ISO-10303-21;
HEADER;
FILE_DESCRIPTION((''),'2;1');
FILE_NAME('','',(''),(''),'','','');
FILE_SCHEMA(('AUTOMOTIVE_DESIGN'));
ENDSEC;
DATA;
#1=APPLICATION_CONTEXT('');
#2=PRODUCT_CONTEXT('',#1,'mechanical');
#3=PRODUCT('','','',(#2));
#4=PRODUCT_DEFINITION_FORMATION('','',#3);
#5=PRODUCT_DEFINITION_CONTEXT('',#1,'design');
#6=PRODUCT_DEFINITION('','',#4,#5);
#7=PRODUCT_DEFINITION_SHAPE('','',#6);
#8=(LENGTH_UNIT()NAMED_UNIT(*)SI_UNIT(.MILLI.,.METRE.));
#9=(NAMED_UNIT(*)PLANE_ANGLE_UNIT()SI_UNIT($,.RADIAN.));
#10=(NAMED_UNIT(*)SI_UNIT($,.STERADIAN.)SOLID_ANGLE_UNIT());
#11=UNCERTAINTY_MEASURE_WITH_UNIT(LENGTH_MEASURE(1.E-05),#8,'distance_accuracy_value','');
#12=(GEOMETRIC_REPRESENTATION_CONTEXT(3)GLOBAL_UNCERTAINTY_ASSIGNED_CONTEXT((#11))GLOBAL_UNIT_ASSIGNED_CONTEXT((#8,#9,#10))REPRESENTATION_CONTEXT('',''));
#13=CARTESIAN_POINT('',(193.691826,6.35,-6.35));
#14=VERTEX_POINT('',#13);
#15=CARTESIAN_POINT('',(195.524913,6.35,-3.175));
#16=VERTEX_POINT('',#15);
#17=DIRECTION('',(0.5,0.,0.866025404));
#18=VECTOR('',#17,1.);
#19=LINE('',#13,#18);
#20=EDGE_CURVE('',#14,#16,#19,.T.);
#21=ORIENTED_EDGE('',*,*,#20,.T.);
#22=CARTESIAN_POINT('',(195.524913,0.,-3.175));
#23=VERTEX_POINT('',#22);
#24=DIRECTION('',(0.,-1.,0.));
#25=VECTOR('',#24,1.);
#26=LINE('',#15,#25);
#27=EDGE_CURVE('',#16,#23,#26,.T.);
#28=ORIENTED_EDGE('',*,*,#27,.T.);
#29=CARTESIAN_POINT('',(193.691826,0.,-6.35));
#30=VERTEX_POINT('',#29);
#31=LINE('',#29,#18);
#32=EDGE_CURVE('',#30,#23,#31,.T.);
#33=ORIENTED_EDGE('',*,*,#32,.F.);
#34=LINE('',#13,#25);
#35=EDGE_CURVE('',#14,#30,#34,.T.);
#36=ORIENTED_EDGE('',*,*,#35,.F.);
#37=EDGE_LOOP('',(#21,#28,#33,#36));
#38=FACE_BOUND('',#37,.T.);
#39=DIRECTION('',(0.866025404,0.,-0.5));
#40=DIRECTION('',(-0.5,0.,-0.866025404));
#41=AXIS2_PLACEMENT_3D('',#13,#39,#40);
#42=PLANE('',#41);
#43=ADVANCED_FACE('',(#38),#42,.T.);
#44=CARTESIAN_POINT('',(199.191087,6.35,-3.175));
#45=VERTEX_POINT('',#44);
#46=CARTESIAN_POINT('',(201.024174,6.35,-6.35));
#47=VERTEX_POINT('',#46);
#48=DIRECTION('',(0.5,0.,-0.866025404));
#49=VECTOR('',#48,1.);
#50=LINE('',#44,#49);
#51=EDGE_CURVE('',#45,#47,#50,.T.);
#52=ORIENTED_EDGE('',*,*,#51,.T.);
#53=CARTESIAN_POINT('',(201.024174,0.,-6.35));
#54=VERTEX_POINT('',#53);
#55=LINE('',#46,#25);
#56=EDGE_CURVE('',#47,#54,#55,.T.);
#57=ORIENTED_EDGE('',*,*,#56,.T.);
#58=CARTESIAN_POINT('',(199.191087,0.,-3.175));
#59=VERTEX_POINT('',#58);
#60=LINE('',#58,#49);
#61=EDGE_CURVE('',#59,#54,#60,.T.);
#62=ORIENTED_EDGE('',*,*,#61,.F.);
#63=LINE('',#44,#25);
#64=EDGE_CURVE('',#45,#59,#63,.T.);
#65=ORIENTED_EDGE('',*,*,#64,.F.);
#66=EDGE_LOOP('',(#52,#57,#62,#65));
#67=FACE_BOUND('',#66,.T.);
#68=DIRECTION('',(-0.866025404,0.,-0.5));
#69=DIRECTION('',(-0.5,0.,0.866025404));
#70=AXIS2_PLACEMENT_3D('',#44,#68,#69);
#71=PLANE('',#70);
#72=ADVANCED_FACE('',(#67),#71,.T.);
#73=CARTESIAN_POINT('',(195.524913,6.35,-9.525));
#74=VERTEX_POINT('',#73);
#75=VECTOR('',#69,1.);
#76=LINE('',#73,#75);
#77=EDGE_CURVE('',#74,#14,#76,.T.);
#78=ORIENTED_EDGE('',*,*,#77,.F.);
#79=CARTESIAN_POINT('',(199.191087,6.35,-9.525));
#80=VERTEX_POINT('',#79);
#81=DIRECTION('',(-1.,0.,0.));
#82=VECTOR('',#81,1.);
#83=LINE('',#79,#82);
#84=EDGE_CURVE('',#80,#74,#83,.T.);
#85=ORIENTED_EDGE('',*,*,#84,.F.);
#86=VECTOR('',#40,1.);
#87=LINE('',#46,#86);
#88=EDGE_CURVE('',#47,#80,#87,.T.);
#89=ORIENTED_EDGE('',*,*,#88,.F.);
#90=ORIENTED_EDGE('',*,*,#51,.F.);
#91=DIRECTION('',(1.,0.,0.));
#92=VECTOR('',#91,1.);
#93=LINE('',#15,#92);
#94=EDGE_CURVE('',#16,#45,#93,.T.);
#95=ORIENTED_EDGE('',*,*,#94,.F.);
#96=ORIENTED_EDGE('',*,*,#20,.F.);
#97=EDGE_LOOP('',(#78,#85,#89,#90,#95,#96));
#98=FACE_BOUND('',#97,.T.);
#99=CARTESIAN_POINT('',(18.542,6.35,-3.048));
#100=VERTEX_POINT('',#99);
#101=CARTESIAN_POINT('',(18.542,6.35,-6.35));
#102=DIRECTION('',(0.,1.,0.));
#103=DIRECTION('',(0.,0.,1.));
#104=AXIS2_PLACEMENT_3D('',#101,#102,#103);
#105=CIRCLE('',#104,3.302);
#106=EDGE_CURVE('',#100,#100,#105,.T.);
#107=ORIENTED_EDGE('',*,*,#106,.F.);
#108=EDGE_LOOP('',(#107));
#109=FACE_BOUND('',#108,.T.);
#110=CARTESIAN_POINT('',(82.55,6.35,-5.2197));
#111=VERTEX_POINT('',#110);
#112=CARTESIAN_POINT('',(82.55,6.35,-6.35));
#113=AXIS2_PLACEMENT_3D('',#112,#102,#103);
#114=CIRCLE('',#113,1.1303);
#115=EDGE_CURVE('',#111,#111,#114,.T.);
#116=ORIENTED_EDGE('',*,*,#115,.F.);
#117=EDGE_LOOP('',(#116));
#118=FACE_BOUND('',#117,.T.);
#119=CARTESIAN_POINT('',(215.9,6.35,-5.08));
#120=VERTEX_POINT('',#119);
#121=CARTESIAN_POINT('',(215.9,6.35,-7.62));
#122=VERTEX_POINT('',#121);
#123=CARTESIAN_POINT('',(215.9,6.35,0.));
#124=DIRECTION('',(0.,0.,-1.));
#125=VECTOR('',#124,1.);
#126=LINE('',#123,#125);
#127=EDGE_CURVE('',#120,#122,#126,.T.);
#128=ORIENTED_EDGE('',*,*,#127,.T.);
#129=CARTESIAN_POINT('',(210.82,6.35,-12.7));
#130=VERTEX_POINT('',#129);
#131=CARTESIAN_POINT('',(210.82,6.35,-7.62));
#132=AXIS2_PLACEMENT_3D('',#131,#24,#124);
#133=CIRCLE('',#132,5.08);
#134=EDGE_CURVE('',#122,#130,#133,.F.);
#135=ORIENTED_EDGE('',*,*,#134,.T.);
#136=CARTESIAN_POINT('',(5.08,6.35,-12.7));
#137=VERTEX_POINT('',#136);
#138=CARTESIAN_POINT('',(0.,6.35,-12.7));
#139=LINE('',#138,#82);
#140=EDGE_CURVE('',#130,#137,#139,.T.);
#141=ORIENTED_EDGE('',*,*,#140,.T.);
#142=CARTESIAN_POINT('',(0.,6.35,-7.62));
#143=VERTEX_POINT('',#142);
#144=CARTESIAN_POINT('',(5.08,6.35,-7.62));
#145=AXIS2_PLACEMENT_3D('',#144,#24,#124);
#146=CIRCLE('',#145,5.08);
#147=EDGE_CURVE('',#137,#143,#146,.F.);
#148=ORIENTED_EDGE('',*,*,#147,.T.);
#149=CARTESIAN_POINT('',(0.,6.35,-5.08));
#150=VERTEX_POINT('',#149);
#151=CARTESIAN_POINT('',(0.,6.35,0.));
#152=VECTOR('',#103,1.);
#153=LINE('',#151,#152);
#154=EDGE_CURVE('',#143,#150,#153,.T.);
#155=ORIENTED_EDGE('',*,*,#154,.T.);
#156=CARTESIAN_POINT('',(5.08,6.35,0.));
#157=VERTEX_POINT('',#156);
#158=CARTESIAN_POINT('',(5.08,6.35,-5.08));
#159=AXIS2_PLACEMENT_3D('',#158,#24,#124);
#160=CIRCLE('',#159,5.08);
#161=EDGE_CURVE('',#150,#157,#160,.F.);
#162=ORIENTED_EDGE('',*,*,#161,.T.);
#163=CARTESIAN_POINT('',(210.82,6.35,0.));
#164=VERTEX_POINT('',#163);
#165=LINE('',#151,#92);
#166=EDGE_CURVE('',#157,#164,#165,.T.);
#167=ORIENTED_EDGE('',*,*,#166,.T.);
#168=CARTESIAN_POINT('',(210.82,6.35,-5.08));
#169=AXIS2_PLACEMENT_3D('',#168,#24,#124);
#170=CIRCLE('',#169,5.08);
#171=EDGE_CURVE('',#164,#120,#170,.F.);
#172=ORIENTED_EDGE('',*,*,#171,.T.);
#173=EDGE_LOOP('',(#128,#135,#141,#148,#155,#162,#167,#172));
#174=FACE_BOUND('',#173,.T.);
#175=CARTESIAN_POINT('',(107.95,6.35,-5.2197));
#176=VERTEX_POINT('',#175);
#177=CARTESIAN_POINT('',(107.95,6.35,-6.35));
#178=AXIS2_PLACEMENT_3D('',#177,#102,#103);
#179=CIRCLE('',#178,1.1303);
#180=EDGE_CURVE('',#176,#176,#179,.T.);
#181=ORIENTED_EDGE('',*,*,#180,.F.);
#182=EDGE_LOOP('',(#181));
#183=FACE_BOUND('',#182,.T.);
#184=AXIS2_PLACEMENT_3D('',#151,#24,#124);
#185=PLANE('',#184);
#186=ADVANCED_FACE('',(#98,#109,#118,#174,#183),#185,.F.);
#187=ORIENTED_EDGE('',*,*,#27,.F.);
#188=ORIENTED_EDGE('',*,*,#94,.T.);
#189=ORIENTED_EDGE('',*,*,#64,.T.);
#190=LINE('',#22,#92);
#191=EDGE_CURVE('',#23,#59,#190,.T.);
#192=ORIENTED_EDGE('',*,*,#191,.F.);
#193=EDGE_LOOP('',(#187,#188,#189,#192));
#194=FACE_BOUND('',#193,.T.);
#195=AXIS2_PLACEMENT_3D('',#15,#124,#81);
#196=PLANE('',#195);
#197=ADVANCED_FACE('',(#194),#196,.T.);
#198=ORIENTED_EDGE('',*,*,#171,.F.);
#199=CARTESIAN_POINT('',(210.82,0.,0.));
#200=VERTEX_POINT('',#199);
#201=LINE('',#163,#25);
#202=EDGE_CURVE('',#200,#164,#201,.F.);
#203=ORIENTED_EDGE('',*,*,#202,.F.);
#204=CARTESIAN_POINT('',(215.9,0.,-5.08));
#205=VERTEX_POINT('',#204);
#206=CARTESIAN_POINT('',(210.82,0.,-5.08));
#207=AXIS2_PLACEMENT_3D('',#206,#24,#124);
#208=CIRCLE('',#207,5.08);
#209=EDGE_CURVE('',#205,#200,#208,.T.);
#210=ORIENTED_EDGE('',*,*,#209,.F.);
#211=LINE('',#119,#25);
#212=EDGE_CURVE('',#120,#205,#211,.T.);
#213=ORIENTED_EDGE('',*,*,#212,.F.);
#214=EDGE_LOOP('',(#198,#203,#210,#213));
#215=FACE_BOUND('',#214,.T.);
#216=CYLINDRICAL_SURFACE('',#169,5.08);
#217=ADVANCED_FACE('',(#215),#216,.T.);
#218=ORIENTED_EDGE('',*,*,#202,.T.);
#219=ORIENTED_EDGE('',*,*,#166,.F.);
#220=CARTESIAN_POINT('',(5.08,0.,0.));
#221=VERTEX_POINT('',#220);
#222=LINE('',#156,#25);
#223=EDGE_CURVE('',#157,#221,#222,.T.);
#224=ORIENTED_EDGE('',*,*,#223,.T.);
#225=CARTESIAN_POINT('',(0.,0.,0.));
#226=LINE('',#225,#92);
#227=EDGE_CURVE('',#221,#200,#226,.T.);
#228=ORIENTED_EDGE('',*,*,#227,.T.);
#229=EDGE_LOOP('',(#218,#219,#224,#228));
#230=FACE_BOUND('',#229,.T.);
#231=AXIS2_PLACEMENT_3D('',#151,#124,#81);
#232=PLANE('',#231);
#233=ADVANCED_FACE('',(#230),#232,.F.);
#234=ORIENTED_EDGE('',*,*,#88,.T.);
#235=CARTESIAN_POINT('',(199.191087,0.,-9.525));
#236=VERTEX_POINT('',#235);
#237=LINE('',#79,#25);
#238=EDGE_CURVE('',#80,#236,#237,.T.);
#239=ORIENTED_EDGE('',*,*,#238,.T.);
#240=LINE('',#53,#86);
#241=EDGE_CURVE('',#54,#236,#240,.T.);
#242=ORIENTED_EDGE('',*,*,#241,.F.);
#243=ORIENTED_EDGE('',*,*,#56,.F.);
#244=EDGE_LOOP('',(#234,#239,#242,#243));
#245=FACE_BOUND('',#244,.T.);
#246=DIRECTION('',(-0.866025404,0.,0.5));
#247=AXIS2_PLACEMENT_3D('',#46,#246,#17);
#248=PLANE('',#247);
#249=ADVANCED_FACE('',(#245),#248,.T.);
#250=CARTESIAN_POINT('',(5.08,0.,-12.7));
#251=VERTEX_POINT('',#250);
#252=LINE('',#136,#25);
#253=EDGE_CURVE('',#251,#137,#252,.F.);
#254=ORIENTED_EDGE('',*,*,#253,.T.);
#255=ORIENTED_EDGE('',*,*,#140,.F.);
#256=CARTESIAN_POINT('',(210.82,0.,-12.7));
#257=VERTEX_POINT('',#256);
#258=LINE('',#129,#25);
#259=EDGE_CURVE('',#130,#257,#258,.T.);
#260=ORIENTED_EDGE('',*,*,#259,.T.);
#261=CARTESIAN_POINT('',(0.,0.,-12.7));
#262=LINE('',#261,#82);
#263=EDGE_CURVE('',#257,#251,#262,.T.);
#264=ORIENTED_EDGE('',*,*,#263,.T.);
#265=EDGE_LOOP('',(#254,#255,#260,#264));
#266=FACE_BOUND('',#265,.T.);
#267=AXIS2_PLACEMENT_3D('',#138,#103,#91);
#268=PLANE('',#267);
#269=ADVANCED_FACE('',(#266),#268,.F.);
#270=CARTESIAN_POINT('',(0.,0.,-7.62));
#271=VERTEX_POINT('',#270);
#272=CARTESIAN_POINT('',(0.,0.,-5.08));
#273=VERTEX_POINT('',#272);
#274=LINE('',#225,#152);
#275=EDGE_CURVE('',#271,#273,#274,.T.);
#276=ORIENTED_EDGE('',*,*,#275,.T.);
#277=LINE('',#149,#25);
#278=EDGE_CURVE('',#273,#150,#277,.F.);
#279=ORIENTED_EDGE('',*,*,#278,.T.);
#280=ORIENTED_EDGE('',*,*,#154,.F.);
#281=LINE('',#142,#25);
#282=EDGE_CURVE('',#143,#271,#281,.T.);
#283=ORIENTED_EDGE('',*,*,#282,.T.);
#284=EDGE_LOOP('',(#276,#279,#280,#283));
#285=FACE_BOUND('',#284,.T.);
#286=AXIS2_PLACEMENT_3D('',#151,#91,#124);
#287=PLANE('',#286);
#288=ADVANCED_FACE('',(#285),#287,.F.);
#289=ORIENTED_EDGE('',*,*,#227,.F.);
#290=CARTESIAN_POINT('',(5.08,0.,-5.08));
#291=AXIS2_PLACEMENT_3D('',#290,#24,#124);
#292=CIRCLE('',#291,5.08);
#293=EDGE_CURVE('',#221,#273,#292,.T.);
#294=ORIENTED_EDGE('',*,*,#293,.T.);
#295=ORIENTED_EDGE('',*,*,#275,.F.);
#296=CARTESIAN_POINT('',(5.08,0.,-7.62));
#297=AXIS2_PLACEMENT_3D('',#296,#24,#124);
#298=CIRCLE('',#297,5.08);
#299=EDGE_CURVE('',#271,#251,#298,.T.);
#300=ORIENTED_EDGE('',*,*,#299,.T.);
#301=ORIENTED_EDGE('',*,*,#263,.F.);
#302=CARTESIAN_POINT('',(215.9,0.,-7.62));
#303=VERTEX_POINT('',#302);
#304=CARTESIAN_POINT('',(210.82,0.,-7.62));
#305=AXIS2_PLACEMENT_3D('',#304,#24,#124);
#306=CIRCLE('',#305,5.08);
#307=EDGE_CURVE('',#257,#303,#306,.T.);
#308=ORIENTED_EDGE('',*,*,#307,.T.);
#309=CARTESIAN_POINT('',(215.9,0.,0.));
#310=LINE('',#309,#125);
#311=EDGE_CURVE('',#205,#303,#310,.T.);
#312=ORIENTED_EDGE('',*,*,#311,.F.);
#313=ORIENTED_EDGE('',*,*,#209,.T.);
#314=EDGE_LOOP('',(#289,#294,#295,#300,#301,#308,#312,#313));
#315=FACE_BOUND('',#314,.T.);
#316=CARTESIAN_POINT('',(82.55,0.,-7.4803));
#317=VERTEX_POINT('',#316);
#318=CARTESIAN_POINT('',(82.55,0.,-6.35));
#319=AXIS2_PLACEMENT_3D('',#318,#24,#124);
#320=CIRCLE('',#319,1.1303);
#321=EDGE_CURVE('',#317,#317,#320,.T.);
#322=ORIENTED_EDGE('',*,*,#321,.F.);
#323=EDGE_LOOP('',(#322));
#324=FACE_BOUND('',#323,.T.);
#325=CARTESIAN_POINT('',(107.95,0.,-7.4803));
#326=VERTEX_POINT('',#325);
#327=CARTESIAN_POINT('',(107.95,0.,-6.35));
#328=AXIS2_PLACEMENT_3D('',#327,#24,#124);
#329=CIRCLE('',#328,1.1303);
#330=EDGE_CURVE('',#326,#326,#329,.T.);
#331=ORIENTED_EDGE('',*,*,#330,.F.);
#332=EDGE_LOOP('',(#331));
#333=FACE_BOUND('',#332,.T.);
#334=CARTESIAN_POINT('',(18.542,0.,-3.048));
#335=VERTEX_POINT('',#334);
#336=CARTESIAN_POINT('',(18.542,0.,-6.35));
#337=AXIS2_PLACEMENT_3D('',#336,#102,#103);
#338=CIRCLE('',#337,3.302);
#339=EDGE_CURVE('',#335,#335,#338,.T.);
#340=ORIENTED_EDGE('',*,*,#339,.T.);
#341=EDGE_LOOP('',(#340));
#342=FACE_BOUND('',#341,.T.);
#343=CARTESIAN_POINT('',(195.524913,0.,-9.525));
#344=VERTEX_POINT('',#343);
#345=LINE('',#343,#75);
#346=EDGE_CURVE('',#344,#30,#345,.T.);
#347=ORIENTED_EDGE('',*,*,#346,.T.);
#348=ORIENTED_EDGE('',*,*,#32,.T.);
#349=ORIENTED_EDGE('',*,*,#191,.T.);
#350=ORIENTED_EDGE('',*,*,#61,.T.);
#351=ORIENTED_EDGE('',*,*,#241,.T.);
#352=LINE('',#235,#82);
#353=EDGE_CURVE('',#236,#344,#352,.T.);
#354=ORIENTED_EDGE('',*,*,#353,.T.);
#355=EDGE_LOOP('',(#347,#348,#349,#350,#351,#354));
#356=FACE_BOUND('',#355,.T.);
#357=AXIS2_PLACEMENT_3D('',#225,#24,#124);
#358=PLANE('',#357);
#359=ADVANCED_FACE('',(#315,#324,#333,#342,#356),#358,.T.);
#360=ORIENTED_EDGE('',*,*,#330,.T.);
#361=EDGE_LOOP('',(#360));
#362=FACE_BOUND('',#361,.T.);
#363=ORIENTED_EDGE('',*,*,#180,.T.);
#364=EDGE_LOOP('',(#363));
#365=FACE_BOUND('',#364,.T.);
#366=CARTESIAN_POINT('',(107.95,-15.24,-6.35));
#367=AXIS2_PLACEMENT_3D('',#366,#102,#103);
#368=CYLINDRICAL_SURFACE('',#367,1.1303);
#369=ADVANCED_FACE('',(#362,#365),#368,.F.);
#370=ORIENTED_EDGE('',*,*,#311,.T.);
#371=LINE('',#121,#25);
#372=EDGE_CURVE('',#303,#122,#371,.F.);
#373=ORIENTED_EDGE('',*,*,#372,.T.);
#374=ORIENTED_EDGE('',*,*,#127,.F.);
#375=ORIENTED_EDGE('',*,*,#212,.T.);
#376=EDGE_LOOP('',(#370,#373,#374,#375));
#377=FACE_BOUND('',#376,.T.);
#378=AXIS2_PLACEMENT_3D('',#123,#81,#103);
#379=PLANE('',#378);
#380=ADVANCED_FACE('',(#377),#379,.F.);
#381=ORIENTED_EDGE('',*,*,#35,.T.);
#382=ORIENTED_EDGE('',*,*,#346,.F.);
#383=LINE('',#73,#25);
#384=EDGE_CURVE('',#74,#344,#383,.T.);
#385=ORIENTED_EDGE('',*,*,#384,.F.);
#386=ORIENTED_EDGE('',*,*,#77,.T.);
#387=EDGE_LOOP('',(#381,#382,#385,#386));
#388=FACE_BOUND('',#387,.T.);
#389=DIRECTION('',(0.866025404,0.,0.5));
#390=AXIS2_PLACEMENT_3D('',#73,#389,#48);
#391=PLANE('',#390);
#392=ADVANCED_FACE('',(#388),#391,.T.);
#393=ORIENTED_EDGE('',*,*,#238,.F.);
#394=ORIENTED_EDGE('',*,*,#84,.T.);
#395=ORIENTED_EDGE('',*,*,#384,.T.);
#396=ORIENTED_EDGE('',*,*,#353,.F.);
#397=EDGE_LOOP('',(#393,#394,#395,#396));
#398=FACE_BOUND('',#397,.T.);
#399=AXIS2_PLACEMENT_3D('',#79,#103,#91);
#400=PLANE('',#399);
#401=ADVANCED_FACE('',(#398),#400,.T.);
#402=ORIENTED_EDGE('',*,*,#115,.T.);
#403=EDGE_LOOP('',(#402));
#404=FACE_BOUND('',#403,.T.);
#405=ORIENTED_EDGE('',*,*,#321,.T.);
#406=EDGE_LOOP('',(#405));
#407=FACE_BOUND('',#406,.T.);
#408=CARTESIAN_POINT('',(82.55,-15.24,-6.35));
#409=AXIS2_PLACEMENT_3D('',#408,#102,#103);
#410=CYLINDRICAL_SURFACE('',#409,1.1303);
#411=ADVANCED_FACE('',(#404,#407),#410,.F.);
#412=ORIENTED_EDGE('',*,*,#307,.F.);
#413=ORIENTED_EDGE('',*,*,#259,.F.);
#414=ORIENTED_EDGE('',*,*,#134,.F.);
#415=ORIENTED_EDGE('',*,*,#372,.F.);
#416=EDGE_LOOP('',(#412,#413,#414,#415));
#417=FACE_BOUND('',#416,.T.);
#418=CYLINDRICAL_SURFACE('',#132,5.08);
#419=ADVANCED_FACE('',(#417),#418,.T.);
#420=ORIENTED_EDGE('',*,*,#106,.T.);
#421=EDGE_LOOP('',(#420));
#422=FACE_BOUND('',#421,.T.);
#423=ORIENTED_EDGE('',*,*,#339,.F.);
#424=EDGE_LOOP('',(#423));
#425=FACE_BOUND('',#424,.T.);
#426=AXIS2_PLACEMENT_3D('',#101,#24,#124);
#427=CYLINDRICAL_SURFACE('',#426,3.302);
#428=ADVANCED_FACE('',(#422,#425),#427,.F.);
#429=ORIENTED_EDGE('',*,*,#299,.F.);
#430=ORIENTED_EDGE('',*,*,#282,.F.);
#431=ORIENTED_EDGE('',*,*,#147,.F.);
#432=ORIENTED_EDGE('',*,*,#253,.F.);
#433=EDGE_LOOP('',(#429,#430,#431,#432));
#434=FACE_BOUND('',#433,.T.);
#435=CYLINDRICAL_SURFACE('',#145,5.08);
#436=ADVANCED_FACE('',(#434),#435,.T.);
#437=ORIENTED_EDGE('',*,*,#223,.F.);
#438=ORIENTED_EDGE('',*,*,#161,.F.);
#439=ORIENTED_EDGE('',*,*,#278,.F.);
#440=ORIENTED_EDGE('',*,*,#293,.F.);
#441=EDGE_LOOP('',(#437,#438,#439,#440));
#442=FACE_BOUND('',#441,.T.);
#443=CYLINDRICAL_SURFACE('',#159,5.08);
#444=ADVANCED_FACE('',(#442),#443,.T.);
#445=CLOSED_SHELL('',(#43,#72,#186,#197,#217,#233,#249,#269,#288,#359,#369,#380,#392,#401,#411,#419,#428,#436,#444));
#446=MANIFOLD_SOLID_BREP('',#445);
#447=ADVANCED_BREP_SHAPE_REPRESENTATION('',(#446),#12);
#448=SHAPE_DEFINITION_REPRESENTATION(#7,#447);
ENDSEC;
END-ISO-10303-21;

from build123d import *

# Parameters (mm, degrees)
SKETCH1_W           = 215.9
SKETCH1_H           = 12.7
SKETCH1_R           = 3.302
BOSS_EXTRUDE1_DEPTH = 6.35
FILLET1_R           = 5.08
SKETCH4_R           = 1.1303
CUT_EXTRUDE1_DEPTH  = 21.59


with BuildPart() as part:
    # Sketch1 → Boss-Extrude1 (new body)
    with BuildSketch(Plane(origin=(0, 0, 0), x_dir=(1, 0, 0), z_dir=(0, 1, 0))):
        with Locations((107.95, 6.35)):
            Rectangle(SKETCH1_W, SKETCH1_H)
        with Locations(Location((18.542, 6.35, 0), (0, 0, 270))):
            Circle(SKETCH1_R, mode=Mode.SUBTRACT)
        Polygon((199.191087105, 9.525), (195.524912895, 9.525), (193.691825791, 6.35), (195.524912895, 3.175), (199.191087105, 3.175), (201.024174209, 6.35), align=None, mode=Mode.SUBTRACT)
    extrude(amount=BOSS_EXTRUDE1_DEPTH)

    # Fillet1
    fillet1_edges = [part.edges().sort_by_distance(p)[0] for p in [
        (0, 3.175, -12.7),
        (215.9, 3.175, -12.7),
        (215.9, 3.175, 0),
        (0, 3.175, 0),
    ]]
    fillet(fillet1_edges, radius=FILLET1_R)

    # Sketch4 → Cut-Extrude1 (cut)
    with BuildSketch(Plane(origin=(0, 6.35, 0), x_dir=(1, 0, 0), z_dir=(0, 1, 0))):
        with Locations(Location((107.95, 6.35, 0), (0, 0, 270))):
            Circle(SKETCH4_R)
        with Locations(Location((82.55, 6.35, 0), (0, 0, 270))):
            Circle(SKETCH4_R)
    extrude(amount=-CUT_EXTRUDE1_DEPTH, mode=Mode.SUBTRACT)


solid = part.part
